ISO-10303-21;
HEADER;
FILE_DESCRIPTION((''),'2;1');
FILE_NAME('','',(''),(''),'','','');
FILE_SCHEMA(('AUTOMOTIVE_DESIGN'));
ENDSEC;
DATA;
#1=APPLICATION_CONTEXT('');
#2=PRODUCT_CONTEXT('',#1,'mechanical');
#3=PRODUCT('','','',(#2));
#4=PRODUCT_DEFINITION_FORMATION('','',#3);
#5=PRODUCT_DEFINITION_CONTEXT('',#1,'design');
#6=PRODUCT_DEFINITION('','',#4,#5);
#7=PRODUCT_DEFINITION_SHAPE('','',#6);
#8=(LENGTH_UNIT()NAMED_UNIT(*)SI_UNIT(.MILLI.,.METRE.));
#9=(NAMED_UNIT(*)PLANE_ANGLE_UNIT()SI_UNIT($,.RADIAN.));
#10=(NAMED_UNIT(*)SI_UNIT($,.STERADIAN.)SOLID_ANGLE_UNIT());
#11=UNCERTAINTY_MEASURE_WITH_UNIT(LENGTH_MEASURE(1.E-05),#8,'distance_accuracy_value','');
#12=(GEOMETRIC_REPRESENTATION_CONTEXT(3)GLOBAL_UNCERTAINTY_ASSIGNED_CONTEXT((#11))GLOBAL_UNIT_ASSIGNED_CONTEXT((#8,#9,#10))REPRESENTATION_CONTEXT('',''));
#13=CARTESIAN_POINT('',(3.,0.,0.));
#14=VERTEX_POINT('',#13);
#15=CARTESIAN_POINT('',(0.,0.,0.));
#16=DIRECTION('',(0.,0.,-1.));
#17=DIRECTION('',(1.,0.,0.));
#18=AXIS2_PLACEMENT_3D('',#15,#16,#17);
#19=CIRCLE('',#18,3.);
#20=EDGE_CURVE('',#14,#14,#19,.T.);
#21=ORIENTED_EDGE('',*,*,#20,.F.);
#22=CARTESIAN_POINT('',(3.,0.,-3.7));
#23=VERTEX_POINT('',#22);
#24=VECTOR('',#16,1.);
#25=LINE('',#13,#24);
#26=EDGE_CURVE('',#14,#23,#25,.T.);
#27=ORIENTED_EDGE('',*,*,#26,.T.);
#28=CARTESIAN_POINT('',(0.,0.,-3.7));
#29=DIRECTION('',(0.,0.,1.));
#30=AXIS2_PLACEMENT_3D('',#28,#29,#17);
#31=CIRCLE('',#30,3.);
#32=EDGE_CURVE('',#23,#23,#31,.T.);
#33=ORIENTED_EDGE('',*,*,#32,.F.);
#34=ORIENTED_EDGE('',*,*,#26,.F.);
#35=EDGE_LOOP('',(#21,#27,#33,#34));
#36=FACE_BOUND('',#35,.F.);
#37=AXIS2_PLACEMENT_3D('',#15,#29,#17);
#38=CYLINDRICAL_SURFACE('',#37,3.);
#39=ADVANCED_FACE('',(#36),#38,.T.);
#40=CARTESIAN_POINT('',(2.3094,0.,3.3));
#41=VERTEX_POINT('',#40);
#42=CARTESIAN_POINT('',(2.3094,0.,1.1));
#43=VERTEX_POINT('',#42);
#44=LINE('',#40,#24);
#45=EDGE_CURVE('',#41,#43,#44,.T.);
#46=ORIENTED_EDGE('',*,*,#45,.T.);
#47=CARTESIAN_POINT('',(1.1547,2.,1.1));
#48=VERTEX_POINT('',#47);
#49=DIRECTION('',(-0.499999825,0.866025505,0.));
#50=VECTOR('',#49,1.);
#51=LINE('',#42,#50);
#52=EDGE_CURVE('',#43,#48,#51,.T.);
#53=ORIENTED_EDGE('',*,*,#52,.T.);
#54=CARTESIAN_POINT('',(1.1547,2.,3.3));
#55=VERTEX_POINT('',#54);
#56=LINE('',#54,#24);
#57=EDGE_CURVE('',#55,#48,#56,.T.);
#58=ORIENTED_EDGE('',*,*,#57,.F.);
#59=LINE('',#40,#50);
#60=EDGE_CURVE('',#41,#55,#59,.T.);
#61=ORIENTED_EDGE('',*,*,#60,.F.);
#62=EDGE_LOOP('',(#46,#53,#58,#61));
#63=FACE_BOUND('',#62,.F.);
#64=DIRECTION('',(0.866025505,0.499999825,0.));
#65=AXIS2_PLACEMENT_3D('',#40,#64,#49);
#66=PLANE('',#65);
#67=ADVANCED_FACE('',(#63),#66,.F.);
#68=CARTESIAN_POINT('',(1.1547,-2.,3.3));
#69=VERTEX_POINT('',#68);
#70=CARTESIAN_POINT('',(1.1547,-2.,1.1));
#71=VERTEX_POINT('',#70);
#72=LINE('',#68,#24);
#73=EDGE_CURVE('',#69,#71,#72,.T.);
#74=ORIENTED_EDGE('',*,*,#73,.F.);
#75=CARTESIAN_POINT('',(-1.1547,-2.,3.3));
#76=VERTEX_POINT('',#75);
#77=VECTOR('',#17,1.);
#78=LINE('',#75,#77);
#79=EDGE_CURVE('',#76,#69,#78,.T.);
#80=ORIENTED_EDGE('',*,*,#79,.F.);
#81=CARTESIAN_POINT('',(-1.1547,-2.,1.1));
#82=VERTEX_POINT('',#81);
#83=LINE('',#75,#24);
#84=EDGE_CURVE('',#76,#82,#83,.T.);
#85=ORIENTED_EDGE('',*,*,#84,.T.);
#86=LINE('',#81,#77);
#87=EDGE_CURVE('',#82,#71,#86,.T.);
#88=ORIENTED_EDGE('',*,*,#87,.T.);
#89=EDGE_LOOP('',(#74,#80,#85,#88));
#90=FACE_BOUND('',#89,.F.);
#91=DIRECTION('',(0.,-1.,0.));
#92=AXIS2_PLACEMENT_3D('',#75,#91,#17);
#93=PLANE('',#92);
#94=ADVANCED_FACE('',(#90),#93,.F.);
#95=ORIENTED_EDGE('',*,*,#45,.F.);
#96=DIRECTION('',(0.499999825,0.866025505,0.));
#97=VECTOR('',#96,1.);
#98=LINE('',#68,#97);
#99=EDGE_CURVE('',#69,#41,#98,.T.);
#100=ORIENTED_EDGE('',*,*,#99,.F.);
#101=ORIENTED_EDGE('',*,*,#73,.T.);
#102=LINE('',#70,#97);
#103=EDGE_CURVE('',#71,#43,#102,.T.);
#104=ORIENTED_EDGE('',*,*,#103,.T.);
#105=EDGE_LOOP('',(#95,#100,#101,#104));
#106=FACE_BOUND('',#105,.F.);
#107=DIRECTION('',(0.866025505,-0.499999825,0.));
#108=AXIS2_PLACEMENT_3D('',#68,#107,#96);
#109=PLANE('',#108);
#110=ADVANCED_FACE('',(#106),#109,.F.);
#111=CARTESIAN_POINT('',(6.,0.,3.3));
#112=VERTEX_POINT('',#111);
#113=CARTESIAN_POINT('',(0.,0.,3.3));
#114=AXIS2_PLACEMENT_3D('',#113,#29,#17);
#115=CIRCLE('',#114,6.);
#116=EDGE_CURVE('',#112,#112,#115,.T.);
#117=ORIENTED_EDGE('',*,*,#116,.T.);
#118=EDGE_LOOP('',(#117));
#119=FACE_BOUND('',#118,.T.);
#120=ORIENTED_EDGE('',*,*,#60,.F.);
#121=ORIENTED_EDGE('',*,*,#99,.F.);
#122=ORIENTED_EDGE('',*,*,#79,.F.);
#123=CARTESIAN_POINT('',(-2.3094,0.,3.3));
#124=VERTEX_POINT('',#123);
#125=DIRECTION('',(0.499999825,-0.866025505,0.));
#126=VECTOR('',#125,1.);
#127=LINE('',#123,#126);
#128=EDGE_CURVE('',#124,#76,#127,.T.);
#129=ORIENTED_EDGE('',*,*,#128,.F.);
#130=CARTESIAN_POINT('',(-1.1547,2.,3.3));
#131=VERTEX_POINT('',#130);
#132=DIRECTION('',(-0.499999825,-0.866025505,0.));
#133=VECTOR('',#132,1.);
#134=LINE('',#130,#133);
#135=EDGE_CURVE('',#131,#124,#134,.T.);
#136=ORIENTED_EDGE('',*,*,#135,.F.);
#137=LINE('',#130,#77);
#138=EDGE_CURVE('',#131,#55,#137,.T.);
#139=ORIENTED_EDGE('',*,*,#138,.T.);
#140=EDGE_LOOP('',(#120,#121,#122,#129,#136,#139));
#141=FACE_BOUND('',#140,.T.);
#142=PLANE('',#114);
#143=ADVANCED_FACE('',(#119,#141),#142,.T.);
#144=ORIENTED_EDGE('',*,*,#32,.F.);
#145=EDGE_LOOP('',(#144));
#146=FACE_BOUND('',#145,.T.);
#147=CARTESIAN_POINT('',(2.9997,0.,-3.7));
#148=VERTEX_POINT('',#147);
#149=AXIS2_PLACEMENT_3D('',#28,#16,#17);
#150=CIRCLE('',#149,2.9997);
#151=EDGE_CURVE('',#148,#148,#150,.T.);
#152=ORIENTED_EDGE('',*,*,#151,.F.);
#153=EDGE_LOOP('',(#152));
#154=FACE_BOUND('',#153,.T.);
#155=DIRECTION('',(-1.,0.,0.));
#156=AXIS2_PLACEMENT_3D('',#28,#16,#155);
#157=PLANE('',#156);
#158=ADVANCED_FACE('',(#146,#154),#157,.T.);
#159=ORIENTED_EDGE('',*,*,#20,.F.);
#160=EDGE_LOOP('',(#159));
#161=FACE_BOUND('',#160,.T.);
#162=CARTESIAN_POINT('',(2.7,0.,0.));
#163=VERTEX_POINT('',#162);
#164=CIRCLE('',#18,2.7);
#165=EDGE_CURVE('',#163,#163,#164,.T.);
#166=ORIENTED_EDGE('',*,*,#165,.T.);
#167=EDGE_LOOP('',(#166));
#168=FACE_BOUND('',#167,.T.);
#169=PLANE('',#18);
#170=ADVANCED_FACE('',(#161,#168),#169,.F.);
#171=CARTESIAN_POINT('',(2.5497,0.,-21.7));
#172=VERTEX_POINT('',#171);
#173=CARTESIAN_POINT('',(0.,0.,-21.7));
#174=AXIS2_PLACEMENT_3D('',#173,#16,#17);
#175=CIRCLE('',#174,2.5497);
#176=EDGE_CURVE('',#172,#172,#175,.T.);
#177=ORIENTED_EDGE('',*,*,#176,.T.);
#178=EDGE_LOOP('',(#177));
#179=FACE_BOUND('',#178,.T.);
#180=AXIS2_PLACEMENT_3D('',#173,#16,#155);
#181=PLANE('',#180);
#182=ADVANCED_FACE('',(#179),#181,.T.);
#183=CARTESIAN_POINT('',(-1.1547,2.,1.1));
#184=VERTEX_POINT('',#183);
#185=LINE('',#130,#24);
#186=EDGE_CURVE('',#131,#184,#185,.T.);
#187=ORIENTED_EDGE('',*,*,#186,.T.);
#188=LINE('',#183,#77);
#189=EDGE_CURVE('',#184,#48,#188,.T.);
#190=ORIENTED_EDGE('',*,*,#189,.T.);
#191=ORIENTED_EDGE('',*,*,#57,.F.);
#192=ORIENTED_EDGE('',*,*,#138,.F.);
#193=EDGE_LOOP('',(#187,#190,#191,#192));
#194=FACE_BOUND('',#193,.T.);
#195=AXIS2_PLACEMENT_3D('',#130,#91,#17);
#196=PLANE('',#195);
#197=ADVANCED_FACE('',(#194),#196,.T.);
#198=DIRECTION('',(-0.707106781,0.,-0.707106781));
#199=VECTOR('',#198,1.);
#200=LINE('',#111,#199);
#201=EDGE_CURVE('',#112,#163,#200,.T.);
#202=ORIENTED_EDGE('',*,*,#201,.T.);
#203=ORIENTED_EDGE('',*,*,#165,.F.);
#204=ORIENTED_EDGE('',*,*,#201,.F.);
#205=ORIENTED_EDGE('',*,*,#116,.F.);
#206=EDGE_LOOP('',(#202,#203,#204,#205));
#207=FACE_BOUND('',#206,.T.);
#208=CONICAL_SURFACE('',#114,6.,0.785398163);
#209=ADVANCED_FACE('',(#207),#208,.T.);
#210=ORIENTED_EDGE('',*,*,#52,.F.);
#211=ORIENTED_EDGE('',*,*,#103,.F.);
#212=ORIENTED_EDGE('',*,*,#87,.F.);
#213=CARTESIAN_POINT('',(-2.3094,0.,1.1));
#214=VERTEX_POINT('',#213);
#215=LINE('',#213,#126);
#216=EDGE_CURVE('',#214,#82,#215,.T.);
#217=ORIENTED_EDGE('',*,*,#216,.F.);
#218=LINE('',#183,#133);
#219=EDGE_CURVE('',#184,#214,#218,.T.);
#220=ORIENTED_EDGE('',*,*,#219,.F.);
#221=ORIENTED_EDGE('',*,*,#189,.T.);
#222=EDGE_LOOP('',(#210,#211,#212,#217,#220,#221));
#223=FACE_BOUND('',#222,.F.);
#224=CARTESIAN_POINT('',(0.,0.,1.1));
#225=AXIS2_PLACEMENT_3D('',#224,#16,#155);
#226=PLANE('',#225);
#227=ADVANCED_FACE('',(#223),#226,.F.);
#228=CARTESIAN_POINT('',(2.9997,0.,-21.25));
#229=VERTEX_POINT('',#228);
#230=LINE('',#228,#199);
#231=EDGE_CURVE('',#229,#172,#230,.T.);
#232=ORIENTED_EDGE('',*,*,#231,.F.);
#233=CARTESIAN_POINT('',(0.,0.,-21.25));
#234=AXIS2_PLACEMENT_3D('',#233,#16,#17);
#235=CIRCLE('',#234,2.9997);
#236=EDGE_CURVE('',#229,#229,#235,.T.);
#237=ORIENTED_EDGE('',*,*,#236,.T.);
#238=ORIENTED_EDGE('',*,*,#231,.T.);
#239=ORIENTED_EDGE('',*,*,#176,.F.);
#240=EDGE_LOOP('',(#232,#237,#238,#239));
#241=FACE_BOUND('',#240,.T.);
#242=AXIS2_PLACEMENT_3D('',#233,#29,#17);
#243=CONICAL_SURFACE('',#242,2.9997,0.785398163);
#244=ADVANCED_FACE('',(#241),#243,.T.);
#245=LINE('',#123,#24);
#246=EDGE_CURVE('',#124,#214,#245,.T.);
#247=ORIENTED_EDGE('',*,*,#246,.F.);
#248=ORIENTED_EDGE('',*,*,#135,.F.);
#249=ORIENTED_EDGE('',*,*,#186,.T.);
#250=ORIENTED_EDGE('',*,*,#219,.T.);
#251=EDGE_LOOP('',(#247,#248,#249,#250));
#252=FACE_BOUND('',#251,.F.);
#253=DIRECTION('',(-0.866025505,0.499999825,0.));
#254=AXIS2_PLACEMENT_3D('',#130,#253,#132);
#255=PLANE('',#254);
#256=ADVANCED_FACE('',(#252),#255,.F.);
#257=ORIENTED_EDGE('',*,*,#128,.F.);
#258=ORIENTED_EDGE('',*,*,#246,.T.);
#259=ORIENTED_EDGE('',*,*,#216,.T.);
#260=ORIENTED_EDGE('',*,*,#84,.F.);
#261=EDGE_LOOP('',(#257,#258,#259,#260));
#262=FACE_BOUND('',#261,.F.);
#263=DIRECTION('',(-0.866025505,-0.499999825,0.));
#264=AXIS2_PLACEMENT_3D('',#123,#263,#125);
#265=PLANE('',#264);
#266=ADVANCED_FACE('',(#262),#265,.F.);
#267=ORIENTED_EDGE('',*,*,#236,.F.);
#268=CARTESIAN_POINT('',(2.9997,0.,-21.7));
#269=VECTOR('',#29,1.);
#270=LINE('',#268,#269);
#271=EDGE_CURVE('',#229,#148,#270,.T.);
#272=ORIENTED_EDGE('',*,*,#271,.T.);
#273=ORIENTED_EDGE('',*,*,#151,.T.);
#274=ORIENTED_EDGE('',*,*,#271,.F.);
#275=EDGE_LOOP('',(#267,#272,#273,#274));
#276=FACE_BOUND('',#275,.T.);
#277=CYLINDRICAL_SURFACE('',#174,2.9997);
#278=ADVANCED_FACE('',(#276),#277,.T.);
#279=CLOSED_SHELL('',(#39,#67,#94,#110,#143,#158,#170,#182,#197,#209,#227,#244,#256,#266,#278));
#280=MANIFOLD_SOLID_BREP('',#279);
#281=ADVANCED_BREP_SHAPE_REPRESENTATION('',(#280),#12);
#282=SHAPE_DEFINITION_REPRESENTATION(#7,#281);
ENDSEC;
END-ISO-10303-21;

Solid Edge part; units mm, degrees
sketch "Sketch1" plane through (0, 0, 0) normal (0, 0, 1) x (1, 0, 0)
  circle A0 centre (0, 0) radius 6
  dimension "D1" = 12
extrude "Protrusion1" add sketch "Sketch1" along normal blind 3.3
sketch "Sketch2" plane through (0, 0, 0) normal (0, 0, -1) x (1, 0, 0)
  circle A0 centre (0, 0) radius 3
extrude "Protrusion2" add sketch "Sketch2" along normal blind 21.7
sketch "Sketch3" plane through (0, 0, -21.7) normal (0, 0, -1) x (1, 0, 0)
  circle A0 centre (0, 0) radius 2.9997
extrude "Cutout1" cut sketch "Sketch3" against normal blind 18 flip side to cut
chamfer "Chamfer_1" distance 0.45 angle 45 1 edges at (-2.9997, 0, -21.7)
sketch "Sketch4" plane through (0, 0, 3.3) normal (0, 0, 1) x (1, 0, 0)
  line L0 (-1.1547, 2) -> (1.1547, 2)
  line L1 (2.3094, 0) -> (1.1547, 2)
  line L2 (1.1547, -2) -> (2.3094, 0)
  line L3 (-1.1547, -2) -> (1.1547, -2)
  line L4 (-2.3094, 0) -> (-1.1547, -2)
  line L5 (-1.1547, 2) -> (-2.3094, 0)
  dimension "D1" = 4
extrude "Cutout2" cut sketch "Sketch4" against normal blind 2.2
sketch "Sketch5" plane through (0, 0, 0) normal (0, -1, 0) x (1, 0, 0)
  line L0 (6, 3.3) -> (2.7, 0)
  line L1 (2.7, 0) -> (6, 0)
  line L2 (6, 0) -> (6, 3.3)
revolve "RevolvedCutout1" cut sketch "Sketch5" angle 360 about axis through (0, 0, 14.0017) along (0, 0, -1)
properties part number "24105021"
